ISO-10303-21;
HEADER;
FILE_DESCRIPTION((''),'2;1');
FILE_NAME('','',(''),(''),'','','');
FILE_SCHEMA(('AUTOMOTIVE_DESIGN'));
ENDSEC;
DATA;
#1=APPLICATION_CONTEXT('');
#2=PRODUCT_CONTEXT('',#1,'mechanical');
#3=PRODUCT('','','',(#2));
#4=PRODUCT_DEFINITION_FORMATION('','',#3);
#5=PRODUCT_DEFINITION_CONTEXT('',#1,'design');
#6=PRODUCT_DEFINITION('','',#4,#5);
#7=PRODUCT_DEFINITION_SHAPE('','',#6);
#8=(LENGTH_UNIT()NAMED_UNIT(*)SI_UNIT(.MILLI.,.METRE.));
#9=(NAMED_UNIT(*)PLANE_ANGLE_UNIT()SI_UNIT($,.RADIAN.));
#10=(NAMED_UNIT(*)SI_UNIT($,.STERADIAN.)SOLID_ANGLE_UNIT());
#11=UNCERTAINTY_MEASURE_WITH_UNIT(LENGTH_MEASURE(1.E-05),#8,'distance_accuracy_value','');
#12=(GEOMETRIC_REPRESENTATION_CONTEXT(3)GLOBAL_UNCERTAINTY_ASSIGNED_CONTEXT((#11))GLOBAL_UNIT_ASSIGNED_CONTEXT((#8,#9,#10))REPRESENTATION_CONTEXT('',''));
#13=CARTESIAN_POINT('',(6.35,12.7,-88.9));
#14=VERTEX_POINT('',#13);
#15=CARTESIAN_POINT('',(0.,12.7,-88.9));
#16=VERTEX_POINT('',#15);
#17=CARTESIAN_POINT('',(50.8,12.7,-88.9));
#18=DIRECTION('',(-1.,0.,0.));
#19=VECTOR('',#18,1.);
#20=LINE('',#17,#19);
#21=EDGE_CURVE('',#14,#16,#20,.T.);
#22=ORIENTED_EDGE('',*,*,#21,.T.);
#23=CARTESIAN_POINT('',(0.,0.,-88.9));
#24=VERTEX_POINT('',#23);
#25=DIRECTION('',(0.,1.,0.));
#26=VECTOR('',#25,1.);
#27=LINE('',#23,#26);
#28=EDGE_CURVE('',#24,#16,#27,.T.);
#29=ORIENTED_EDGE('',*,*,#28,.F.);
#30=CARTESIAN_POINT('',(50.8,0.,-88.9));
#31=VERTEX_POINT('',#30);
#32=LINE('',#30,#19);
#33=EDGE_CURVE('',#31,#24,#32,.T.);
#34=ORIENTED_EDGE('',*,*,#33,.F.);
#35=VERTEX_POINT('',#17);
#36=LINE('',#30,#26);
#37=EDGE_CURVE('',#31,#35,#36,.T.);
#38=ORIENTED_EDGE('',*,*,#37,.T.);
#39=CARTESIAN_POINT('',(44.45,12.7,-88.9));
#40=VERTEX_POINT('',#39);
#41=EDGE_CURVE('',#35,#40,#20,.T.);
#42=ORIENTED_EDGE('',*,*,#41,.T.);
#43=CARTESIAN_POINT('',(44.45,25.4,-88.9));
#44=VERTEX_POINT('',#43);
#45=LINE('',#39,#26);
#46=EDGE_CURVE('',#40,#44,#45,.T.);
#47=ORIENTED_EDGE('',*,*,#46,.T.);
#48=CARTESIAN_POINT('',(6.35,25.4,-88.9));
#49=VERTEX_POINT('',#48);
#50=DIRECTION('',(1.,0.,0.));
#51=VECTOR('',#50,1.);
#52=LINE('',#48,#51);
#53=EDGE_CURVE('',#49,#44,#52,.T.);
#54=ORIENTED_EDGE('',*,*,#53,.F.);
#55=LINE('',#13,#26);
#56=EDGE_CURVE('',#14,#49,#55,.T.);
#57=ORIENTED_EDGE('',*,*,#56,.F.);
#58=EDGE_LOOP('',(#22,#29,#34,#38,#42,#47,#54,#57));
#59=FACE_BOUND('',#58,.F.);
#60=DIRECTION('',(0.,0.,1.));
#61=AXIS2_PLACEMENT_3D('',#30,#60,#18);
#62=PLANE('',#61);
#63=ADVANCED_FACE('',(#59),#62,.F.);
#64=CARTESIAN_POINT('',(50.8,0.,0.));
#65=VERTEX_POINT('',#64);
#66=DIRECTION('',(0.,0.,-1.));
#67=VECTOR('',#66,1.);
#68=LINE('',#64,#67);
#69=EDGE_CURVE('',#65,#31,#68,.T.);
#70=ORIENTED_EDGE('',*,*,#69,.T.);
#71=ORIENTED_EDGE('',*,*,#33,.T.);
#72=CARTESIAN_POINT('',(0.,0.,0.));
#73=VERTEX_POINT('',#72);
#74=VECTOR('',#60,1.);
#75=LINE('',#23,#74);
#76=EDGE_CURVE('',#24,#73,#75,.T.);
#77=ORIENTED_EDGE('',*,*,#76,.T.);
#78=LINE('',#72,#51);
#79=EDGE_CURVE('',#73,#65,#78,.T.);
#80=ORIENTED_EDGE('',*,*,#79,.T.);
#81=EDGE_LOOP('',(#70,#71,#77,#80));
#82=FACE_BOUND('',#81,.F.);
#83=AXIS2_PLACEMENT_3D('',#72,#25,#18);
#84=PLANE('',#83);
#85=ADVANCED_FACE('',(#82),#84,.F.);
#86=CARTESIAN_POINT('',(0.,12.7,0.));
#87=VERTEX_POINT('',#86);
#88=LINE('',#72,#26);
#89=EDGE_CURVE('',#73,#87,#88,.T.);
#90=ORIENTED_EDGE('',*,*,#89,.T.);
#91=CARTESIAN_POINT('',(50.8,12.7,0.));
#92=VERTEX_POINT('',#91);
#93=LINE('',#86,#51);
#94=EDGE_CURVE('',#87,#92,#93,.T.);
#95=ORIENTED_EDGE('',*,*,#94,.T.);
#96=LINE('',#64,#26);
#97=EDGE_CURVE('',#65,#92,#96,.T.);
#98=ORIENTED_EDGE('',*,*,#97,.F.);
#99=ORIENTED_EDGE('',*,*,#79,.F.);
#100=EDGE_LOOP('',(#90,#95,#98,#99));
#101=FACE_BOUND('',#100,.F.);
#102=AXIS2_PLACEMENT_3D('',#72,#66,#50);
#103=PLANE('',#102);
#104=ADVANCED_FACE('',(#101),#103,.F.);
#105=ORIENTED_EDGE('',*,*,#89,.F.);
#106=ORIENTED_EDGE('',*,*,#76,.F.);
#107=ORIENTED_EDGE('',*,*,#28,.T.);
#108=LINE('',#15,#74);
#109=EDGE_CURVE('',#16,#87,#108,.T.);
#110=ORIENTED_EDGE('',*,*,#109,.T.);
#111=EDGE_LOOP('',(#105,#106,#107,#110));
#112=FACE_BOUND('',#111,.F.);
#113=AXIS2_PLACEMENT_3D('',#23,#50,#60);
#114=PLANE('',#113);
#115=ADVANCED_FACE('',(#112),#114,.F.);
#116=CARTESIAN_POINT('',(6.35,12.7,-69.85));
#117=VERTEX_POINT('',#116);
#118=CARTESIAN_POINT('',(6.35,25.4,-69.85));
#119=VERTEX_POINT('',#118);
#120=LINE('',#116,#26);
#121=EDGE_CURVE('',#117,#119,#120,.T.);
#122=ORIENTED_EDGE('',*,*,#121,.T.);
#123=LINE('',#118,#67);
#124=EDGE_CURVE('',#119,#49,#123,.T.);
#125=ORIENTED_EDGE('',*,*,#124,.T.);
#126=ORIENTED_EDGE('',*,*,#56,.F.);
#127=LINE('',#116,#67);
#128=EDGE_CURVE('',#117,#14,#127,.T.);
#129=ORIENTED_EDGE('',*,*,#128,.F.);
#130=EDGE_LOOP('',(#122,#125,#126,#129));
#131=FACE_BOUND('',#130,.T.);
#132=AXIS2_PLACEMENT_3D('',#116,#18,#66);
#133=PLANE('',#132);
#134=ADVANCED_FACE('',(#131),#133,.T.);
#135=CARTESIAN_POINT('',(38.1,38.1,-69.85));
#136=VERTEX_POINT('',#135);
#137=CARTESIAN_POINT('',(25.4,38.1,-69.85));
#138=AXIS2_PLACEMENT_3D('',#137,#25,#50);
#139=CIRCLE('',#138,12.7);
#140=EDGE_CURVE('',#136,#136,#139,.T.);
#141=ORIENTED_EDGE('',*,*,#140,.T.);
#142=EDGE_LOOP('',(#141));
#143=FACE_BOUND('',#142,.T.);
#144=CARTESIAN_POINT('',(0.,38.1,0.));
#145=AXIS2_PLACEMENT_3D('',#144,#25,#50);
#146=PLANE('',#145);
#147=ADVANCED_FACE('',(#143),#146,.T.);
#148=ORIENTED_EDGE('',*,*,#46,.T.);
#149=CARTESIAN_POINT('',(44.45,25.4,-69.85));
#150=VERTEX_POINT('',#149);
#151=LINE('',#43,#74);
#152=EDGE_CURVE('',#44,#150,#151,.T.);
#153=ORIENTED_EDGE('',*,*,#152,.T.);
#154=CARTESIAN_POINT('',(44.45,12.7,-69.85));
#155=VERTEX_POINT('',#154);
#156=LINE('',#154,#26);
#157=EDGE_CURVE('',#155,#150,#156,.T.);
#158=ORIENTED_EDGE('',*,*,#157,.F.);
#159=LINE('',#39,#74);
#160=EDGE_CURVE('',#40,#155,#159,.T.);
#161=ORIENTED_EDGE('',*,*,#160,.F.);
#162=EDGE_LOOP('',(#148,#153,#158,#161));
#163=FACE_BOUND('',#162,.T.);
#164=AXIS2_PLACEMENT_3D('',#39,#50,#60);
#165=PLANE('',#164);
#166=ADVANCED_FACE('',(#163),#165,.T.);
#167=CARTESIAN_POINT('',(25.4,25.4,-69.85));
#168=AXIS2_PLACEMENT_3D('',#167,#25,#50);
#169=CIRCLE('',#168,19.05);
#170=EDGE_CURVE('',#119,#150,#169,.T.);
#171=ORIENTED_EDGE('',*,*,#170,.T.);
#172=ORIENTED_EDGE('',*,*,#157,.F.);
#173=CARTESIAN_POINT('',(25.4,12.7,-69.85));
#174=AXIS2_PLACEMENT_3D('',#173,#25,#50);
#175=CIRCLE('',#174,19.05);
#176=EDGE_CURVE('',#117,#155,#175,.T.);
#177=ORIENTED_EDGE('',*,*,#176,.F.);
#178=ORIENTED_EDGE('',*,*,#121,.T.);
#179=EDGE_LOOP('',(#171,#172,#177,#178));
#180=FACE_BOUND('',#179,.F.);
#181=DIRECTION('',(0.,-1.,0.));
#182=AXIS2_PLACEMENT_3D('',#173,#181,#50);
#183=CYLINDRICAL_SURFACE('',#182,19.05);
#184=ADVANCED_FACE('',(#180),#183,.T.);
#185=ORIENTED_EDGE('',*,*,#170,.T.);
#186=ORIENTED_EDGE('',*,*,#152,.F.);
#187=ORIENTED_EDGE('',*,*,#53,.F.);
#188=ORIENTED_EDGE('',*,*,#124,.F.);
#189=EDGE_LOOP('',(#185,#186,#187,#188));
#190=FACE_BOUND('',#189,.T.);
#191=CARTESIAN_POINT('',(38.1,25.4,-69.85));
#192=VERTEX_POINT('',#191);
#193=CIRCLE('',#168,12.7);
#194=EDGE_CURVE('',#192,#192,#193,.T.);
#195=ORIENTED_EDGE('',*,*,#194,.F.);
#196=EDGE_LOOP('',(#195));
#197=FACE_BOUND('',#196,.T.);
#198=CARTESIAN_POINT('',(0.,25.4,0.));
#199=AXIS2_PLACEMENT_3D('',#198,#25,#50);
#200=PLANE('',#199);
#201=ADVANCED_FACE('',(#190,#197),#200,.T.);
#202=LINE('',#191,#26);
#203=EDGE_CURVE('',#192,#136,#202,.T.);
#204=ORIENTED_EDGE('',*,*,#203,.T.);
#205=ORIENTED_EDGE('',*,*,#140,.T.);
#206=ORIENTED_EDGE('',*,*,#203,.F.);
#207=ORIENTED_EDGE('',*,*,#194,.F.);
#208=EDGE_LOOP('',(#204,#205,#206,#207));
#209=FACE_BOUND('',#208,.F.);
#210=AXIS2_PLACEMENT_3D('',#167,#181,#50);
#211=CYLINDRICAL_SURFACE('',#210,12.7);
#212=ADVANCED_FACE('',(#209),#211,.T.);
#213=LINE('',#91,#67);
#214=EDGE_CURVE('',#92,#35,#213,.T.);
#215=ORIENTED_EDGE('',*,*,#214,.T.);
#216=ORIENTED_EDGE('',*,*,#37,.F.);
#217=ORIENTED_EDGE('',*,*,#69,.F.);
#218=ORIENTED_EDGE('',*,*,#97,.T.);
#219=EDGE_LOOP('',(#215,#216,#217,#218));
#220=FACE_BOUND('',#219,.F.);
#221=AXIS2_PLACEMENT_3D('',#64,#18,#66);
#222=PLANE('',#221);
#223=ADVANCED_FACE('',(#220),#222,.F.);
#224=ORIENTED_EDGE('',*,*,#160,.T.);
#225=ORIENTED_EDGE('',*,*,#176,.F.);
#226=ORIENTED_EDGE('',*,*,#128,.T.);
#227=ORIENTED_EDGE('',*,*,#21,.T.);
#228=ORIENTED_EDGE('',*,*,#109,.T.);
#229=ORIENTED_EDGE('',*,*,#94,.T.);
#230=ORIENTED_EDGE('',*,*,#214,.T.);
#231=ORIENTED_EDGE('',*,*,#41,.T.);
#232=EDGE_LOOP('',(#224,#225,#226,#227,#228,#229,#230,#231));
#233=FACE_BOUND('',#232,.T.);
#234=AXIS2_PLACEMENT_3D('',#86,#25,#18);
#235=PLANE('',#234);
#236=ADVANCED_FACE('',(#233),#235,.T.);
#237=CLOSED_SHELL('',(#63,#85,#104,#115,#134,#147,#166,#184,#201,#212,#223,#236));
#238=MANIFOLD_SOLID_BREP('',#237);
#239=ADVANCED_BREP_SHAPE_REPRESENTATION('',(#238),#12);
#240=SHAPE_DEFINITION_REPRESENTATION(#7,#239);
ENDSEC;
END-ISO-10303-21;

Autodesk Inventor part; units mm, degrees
ref_plane "YZ Plane" through (0, 0, 0) normal (1, 0, 0) x (0, 1, 0)
ref_plane "XZ Plane" through (0, 0, 0) normal (0, 1, 0) x (-1, 0, 0)
ref_plane "XY Plane" through (0, 0, 0) normal (0, 0, 1) x (1, 0, 0)
sketch "Sketch1" plane through (0, 0, 0) normal (0, 1, 0) x (-1, 0, 0)
  line L0 (0, 0) -> (-50.8, 0)
  line L1 (-50.8, 0) -> (-50.8, -88.9)
  line L2 (-50.8, -88.9) -> (0, -88.9)
  line L3 (0, -88.9) -> (0, 0)
  dimension "d0" = 50.8
  dimension "d1" = 88.9
extrude "Extrusion1" add sketch "Sketch1" along normal blind 12.7
sketch "Sketch2" plane through (0, 12.7, 0) normal (0, 1, 0) x (1, 0, 0)
  line L0 (50.8, 0) -> (50.8, 88.9) projected
  line L1 (50.8, 88.9) -> (0, 88.9) projected
  line L2 (0, 88.9) -> (0, 0) projected
  line L3 (6.35, 88.9) -> (44.45, 88.9)
  line L4 (44.45, 88.9) -> (44.45, 69.85)
  line L5 (44.45, 69.85) -> (6.35, 69.85)
  line L6 (6.35, 69.85) -> (6.35, 88.9)
  line L7 (6.35, 79.375) -> (0, 79.375) construction
  line L8 (44.45, 79.375) -> (50.8, 79.375) construction
  circle A0 centre (25.4, 69.85) radius 19.05
  dimension "d4" = 19.05
  dimension "d5" = 6.35
extrude "Extrusion2" add sketch "Sketch2" along normal blind 12.7
sketch "Sketch3" plane through (0, 25.4, 0) normal (0, 1, 0) x (1, 0, 0)
  arc A0 (6.35, 69.85) -> (44.45, 69.85) centre (25.4, 69.85) ccw projected
  circle A1 centre (25.4, 69.85) radius 12.7
  point P0 (0, 0)
  dimension "d8" = 25.4
extrude "Extrusion3" add sketch "Sketch3" along normal blind 12.7
sketch "Sketch6" plane through (0, 12.7, 0) normal (0, 1, 0) x (1, 0, 0)
  line L0 (44.45, 88.9) -> (44.45, 69.85) projected
  arc A0 (6.35, 69.85) -> (44.45, 69.85) centre (25.4, 69.85) ccw projected
  line L1 (6.35, 69.85) -> (6.35, 88.9) projected
  line L2 (6.35, 88.9) -> (0, 88.9) projected
  line L3 (0, 88.9) -> (0, 0) projected
  line L4 (0, 0) -> (50.8, 0) projected
  line L5 (50.8, 0) -> (50.8, 88.9) projected
  line L6 (50.8, 88.9) -> (44.45, 88.9) projected
  line L7 (44.45, 88.9) -> (44.45, 6.35) construction
  line L8 (44.45, 6.35) -> (6.35, 6.35) construction
  line L9 (6.35, 6.35) -> (6.35, 88.9) construction
  line L10 (6.35, 38.1) -> (44.45, 38.1) construction
  dimension "d35" = 6.35
  dimension "d36" = 31.75
properties part number "Holes"
